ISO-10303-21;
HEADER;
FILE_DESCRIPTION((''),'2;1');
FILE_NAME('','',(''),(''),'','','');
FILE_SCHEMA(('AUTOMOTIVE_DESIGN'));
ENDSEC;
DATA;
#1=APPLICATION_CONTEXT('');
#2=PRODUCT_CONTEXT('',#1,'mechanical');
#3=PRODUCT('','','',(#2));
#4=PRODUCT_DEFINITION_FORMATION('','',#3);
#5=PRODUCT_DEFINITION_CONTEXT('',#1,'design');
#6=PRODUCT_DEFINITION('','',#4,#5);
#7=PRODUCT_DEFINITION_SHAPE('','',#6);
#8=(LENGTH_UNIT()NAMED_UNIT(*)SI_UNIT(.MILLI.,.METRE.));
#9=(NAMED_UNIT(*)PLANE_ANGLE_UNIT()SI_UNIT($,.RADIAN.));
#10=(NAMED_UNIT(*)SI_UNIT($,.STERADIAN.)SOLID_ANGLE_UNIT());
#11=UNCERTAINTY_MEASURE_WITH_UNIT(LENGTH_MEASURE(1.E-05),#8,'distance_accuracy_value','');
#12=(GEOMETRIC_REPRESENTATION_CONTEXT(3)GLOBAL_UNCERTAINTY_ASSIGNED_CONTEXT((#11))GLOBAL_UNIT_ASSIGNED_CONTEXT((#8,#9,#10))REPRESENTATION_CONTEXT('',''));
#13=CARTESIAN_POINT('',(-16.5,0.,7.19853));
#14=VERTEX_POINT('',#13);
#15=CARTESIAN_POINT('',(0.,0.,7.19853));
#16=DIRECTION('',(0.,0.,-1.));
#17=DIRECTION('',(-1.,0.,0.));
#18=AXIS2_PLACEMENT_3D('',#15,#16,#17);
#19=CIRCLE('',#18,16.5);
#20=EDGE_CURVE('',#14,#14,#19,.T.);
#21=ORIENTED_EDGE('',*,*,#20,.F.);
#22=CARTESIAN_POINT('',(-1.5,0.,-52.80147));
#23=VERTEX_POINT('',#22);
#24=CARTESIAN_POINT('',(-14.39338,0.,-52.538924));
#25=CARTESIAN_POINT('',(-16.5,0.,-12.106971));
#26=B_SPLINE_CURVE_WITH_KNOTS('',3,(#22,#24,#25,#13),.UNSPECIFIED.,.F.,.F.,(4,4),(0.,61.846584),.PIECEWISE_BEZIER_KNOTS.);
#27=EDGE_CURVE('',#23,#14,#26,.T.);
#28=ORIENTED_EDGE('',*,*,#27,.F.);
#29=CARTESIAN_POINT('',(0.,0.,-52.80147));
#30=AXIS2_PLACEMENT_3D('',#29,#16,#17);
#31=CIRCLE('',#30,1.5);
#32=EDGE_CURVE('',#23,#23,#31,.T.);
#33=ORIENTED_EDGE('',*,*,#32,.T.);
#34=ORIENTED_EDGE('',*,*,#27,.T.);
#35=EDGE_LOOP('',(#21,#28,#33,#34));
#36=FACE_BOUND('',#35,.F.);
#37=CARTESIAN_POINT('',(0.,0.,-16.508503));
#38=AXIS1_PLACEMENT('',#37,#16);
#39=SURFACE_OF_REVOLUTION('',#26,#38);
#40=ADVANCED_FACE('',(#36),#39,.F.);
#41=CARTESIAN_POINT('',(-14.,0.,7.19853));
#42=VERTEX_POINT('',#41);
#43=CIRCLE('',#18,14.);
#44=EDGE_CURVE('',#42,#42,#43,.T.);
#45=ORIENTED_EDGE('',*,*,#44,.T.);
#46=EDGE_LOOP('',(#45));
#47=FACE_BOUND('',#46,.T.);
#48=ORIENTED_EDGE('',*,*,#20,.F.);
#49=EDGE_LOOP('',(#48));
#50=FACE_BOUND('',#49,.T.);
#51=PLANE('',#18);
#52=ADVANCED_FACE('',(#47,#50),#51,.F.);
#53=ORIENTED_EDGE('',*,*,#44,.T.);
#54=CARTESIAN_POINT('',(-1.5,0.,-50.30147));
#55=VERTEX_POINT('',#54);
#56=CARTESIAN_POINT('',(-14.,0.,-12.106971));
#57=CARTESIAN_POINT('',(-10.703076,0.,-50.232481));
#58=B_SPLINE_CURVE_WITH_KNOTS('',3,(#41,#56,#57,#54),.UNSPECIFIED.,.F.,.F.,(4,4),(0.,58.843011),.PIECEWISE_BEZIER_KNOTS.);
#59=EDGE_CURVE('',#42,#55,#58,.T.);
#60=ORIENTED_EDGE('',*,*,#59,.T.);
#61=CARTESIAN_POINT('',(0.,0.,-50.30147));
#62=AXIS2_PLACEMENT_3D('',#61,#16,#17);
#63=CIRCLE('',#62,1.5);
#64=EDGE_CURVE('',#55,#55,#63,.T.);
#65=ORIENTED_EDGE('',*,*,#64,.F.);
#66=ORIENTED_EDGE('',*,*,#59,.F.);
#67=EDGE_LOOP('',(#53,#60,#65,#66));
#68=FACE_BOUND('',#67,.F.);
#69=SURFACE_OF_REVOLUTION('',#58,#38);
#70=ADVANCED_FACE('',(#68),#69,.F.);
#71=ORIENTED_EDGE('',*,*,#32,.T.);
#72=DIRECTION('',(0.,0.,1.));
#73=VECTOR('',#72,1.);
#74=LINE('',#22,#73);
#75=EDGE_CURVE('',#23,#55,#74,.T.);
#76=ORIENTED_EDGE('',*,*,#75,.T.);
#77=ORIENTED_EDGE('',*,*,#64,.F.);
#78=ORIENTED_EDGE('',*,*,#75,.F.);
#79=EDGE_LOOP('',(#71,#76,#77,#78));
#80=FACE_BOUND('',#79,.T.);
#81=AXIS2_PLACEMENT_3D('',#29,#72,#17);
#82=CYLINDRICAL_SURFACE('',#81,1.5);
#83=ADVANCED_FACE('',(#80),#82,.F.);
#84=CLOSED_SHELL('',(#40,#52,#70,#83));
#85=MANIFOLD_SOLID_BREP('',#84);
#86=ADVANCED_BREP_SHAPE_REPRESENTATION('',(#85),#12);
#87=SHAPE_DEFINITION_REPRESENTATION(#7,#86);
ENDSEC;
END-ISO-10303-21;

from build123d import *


with BuildPart() as f1:
    # F0 (on Front) → F1 (revolve)
    with BuildSketch(Plane.XZ):
        with BuildLine():
            add(Edge.make_bspline(
                [(-1.5, -52.80147), (-14.39338, -52.538924), (-16.5, -12.106971), (-16.5, 7.19853)],
                knots=[0, 0, 0, 0, 61.846584, 61.846584, 61.846584, 61.846584], degree=3))
            Line((-1.5, -52.80147), (-1.5, -50.30147))
            add(Edge.make_bspline(
                [(-14, 7.19853), (-14, -12.106971), (-10.703076, -50.232481), (-1.5, -50.30147)],
                knots=[0, 0, 0, 0, 58.843011, 58.843011, 58.843011, 58.843011], degree=3))
            Line((-14, 7.19853), (-16.5, 7.19853))
        make_face()
    revolve(axis=Axis((0, 0, -16.508503), (0, 0, -1)))


solid = f1.part
